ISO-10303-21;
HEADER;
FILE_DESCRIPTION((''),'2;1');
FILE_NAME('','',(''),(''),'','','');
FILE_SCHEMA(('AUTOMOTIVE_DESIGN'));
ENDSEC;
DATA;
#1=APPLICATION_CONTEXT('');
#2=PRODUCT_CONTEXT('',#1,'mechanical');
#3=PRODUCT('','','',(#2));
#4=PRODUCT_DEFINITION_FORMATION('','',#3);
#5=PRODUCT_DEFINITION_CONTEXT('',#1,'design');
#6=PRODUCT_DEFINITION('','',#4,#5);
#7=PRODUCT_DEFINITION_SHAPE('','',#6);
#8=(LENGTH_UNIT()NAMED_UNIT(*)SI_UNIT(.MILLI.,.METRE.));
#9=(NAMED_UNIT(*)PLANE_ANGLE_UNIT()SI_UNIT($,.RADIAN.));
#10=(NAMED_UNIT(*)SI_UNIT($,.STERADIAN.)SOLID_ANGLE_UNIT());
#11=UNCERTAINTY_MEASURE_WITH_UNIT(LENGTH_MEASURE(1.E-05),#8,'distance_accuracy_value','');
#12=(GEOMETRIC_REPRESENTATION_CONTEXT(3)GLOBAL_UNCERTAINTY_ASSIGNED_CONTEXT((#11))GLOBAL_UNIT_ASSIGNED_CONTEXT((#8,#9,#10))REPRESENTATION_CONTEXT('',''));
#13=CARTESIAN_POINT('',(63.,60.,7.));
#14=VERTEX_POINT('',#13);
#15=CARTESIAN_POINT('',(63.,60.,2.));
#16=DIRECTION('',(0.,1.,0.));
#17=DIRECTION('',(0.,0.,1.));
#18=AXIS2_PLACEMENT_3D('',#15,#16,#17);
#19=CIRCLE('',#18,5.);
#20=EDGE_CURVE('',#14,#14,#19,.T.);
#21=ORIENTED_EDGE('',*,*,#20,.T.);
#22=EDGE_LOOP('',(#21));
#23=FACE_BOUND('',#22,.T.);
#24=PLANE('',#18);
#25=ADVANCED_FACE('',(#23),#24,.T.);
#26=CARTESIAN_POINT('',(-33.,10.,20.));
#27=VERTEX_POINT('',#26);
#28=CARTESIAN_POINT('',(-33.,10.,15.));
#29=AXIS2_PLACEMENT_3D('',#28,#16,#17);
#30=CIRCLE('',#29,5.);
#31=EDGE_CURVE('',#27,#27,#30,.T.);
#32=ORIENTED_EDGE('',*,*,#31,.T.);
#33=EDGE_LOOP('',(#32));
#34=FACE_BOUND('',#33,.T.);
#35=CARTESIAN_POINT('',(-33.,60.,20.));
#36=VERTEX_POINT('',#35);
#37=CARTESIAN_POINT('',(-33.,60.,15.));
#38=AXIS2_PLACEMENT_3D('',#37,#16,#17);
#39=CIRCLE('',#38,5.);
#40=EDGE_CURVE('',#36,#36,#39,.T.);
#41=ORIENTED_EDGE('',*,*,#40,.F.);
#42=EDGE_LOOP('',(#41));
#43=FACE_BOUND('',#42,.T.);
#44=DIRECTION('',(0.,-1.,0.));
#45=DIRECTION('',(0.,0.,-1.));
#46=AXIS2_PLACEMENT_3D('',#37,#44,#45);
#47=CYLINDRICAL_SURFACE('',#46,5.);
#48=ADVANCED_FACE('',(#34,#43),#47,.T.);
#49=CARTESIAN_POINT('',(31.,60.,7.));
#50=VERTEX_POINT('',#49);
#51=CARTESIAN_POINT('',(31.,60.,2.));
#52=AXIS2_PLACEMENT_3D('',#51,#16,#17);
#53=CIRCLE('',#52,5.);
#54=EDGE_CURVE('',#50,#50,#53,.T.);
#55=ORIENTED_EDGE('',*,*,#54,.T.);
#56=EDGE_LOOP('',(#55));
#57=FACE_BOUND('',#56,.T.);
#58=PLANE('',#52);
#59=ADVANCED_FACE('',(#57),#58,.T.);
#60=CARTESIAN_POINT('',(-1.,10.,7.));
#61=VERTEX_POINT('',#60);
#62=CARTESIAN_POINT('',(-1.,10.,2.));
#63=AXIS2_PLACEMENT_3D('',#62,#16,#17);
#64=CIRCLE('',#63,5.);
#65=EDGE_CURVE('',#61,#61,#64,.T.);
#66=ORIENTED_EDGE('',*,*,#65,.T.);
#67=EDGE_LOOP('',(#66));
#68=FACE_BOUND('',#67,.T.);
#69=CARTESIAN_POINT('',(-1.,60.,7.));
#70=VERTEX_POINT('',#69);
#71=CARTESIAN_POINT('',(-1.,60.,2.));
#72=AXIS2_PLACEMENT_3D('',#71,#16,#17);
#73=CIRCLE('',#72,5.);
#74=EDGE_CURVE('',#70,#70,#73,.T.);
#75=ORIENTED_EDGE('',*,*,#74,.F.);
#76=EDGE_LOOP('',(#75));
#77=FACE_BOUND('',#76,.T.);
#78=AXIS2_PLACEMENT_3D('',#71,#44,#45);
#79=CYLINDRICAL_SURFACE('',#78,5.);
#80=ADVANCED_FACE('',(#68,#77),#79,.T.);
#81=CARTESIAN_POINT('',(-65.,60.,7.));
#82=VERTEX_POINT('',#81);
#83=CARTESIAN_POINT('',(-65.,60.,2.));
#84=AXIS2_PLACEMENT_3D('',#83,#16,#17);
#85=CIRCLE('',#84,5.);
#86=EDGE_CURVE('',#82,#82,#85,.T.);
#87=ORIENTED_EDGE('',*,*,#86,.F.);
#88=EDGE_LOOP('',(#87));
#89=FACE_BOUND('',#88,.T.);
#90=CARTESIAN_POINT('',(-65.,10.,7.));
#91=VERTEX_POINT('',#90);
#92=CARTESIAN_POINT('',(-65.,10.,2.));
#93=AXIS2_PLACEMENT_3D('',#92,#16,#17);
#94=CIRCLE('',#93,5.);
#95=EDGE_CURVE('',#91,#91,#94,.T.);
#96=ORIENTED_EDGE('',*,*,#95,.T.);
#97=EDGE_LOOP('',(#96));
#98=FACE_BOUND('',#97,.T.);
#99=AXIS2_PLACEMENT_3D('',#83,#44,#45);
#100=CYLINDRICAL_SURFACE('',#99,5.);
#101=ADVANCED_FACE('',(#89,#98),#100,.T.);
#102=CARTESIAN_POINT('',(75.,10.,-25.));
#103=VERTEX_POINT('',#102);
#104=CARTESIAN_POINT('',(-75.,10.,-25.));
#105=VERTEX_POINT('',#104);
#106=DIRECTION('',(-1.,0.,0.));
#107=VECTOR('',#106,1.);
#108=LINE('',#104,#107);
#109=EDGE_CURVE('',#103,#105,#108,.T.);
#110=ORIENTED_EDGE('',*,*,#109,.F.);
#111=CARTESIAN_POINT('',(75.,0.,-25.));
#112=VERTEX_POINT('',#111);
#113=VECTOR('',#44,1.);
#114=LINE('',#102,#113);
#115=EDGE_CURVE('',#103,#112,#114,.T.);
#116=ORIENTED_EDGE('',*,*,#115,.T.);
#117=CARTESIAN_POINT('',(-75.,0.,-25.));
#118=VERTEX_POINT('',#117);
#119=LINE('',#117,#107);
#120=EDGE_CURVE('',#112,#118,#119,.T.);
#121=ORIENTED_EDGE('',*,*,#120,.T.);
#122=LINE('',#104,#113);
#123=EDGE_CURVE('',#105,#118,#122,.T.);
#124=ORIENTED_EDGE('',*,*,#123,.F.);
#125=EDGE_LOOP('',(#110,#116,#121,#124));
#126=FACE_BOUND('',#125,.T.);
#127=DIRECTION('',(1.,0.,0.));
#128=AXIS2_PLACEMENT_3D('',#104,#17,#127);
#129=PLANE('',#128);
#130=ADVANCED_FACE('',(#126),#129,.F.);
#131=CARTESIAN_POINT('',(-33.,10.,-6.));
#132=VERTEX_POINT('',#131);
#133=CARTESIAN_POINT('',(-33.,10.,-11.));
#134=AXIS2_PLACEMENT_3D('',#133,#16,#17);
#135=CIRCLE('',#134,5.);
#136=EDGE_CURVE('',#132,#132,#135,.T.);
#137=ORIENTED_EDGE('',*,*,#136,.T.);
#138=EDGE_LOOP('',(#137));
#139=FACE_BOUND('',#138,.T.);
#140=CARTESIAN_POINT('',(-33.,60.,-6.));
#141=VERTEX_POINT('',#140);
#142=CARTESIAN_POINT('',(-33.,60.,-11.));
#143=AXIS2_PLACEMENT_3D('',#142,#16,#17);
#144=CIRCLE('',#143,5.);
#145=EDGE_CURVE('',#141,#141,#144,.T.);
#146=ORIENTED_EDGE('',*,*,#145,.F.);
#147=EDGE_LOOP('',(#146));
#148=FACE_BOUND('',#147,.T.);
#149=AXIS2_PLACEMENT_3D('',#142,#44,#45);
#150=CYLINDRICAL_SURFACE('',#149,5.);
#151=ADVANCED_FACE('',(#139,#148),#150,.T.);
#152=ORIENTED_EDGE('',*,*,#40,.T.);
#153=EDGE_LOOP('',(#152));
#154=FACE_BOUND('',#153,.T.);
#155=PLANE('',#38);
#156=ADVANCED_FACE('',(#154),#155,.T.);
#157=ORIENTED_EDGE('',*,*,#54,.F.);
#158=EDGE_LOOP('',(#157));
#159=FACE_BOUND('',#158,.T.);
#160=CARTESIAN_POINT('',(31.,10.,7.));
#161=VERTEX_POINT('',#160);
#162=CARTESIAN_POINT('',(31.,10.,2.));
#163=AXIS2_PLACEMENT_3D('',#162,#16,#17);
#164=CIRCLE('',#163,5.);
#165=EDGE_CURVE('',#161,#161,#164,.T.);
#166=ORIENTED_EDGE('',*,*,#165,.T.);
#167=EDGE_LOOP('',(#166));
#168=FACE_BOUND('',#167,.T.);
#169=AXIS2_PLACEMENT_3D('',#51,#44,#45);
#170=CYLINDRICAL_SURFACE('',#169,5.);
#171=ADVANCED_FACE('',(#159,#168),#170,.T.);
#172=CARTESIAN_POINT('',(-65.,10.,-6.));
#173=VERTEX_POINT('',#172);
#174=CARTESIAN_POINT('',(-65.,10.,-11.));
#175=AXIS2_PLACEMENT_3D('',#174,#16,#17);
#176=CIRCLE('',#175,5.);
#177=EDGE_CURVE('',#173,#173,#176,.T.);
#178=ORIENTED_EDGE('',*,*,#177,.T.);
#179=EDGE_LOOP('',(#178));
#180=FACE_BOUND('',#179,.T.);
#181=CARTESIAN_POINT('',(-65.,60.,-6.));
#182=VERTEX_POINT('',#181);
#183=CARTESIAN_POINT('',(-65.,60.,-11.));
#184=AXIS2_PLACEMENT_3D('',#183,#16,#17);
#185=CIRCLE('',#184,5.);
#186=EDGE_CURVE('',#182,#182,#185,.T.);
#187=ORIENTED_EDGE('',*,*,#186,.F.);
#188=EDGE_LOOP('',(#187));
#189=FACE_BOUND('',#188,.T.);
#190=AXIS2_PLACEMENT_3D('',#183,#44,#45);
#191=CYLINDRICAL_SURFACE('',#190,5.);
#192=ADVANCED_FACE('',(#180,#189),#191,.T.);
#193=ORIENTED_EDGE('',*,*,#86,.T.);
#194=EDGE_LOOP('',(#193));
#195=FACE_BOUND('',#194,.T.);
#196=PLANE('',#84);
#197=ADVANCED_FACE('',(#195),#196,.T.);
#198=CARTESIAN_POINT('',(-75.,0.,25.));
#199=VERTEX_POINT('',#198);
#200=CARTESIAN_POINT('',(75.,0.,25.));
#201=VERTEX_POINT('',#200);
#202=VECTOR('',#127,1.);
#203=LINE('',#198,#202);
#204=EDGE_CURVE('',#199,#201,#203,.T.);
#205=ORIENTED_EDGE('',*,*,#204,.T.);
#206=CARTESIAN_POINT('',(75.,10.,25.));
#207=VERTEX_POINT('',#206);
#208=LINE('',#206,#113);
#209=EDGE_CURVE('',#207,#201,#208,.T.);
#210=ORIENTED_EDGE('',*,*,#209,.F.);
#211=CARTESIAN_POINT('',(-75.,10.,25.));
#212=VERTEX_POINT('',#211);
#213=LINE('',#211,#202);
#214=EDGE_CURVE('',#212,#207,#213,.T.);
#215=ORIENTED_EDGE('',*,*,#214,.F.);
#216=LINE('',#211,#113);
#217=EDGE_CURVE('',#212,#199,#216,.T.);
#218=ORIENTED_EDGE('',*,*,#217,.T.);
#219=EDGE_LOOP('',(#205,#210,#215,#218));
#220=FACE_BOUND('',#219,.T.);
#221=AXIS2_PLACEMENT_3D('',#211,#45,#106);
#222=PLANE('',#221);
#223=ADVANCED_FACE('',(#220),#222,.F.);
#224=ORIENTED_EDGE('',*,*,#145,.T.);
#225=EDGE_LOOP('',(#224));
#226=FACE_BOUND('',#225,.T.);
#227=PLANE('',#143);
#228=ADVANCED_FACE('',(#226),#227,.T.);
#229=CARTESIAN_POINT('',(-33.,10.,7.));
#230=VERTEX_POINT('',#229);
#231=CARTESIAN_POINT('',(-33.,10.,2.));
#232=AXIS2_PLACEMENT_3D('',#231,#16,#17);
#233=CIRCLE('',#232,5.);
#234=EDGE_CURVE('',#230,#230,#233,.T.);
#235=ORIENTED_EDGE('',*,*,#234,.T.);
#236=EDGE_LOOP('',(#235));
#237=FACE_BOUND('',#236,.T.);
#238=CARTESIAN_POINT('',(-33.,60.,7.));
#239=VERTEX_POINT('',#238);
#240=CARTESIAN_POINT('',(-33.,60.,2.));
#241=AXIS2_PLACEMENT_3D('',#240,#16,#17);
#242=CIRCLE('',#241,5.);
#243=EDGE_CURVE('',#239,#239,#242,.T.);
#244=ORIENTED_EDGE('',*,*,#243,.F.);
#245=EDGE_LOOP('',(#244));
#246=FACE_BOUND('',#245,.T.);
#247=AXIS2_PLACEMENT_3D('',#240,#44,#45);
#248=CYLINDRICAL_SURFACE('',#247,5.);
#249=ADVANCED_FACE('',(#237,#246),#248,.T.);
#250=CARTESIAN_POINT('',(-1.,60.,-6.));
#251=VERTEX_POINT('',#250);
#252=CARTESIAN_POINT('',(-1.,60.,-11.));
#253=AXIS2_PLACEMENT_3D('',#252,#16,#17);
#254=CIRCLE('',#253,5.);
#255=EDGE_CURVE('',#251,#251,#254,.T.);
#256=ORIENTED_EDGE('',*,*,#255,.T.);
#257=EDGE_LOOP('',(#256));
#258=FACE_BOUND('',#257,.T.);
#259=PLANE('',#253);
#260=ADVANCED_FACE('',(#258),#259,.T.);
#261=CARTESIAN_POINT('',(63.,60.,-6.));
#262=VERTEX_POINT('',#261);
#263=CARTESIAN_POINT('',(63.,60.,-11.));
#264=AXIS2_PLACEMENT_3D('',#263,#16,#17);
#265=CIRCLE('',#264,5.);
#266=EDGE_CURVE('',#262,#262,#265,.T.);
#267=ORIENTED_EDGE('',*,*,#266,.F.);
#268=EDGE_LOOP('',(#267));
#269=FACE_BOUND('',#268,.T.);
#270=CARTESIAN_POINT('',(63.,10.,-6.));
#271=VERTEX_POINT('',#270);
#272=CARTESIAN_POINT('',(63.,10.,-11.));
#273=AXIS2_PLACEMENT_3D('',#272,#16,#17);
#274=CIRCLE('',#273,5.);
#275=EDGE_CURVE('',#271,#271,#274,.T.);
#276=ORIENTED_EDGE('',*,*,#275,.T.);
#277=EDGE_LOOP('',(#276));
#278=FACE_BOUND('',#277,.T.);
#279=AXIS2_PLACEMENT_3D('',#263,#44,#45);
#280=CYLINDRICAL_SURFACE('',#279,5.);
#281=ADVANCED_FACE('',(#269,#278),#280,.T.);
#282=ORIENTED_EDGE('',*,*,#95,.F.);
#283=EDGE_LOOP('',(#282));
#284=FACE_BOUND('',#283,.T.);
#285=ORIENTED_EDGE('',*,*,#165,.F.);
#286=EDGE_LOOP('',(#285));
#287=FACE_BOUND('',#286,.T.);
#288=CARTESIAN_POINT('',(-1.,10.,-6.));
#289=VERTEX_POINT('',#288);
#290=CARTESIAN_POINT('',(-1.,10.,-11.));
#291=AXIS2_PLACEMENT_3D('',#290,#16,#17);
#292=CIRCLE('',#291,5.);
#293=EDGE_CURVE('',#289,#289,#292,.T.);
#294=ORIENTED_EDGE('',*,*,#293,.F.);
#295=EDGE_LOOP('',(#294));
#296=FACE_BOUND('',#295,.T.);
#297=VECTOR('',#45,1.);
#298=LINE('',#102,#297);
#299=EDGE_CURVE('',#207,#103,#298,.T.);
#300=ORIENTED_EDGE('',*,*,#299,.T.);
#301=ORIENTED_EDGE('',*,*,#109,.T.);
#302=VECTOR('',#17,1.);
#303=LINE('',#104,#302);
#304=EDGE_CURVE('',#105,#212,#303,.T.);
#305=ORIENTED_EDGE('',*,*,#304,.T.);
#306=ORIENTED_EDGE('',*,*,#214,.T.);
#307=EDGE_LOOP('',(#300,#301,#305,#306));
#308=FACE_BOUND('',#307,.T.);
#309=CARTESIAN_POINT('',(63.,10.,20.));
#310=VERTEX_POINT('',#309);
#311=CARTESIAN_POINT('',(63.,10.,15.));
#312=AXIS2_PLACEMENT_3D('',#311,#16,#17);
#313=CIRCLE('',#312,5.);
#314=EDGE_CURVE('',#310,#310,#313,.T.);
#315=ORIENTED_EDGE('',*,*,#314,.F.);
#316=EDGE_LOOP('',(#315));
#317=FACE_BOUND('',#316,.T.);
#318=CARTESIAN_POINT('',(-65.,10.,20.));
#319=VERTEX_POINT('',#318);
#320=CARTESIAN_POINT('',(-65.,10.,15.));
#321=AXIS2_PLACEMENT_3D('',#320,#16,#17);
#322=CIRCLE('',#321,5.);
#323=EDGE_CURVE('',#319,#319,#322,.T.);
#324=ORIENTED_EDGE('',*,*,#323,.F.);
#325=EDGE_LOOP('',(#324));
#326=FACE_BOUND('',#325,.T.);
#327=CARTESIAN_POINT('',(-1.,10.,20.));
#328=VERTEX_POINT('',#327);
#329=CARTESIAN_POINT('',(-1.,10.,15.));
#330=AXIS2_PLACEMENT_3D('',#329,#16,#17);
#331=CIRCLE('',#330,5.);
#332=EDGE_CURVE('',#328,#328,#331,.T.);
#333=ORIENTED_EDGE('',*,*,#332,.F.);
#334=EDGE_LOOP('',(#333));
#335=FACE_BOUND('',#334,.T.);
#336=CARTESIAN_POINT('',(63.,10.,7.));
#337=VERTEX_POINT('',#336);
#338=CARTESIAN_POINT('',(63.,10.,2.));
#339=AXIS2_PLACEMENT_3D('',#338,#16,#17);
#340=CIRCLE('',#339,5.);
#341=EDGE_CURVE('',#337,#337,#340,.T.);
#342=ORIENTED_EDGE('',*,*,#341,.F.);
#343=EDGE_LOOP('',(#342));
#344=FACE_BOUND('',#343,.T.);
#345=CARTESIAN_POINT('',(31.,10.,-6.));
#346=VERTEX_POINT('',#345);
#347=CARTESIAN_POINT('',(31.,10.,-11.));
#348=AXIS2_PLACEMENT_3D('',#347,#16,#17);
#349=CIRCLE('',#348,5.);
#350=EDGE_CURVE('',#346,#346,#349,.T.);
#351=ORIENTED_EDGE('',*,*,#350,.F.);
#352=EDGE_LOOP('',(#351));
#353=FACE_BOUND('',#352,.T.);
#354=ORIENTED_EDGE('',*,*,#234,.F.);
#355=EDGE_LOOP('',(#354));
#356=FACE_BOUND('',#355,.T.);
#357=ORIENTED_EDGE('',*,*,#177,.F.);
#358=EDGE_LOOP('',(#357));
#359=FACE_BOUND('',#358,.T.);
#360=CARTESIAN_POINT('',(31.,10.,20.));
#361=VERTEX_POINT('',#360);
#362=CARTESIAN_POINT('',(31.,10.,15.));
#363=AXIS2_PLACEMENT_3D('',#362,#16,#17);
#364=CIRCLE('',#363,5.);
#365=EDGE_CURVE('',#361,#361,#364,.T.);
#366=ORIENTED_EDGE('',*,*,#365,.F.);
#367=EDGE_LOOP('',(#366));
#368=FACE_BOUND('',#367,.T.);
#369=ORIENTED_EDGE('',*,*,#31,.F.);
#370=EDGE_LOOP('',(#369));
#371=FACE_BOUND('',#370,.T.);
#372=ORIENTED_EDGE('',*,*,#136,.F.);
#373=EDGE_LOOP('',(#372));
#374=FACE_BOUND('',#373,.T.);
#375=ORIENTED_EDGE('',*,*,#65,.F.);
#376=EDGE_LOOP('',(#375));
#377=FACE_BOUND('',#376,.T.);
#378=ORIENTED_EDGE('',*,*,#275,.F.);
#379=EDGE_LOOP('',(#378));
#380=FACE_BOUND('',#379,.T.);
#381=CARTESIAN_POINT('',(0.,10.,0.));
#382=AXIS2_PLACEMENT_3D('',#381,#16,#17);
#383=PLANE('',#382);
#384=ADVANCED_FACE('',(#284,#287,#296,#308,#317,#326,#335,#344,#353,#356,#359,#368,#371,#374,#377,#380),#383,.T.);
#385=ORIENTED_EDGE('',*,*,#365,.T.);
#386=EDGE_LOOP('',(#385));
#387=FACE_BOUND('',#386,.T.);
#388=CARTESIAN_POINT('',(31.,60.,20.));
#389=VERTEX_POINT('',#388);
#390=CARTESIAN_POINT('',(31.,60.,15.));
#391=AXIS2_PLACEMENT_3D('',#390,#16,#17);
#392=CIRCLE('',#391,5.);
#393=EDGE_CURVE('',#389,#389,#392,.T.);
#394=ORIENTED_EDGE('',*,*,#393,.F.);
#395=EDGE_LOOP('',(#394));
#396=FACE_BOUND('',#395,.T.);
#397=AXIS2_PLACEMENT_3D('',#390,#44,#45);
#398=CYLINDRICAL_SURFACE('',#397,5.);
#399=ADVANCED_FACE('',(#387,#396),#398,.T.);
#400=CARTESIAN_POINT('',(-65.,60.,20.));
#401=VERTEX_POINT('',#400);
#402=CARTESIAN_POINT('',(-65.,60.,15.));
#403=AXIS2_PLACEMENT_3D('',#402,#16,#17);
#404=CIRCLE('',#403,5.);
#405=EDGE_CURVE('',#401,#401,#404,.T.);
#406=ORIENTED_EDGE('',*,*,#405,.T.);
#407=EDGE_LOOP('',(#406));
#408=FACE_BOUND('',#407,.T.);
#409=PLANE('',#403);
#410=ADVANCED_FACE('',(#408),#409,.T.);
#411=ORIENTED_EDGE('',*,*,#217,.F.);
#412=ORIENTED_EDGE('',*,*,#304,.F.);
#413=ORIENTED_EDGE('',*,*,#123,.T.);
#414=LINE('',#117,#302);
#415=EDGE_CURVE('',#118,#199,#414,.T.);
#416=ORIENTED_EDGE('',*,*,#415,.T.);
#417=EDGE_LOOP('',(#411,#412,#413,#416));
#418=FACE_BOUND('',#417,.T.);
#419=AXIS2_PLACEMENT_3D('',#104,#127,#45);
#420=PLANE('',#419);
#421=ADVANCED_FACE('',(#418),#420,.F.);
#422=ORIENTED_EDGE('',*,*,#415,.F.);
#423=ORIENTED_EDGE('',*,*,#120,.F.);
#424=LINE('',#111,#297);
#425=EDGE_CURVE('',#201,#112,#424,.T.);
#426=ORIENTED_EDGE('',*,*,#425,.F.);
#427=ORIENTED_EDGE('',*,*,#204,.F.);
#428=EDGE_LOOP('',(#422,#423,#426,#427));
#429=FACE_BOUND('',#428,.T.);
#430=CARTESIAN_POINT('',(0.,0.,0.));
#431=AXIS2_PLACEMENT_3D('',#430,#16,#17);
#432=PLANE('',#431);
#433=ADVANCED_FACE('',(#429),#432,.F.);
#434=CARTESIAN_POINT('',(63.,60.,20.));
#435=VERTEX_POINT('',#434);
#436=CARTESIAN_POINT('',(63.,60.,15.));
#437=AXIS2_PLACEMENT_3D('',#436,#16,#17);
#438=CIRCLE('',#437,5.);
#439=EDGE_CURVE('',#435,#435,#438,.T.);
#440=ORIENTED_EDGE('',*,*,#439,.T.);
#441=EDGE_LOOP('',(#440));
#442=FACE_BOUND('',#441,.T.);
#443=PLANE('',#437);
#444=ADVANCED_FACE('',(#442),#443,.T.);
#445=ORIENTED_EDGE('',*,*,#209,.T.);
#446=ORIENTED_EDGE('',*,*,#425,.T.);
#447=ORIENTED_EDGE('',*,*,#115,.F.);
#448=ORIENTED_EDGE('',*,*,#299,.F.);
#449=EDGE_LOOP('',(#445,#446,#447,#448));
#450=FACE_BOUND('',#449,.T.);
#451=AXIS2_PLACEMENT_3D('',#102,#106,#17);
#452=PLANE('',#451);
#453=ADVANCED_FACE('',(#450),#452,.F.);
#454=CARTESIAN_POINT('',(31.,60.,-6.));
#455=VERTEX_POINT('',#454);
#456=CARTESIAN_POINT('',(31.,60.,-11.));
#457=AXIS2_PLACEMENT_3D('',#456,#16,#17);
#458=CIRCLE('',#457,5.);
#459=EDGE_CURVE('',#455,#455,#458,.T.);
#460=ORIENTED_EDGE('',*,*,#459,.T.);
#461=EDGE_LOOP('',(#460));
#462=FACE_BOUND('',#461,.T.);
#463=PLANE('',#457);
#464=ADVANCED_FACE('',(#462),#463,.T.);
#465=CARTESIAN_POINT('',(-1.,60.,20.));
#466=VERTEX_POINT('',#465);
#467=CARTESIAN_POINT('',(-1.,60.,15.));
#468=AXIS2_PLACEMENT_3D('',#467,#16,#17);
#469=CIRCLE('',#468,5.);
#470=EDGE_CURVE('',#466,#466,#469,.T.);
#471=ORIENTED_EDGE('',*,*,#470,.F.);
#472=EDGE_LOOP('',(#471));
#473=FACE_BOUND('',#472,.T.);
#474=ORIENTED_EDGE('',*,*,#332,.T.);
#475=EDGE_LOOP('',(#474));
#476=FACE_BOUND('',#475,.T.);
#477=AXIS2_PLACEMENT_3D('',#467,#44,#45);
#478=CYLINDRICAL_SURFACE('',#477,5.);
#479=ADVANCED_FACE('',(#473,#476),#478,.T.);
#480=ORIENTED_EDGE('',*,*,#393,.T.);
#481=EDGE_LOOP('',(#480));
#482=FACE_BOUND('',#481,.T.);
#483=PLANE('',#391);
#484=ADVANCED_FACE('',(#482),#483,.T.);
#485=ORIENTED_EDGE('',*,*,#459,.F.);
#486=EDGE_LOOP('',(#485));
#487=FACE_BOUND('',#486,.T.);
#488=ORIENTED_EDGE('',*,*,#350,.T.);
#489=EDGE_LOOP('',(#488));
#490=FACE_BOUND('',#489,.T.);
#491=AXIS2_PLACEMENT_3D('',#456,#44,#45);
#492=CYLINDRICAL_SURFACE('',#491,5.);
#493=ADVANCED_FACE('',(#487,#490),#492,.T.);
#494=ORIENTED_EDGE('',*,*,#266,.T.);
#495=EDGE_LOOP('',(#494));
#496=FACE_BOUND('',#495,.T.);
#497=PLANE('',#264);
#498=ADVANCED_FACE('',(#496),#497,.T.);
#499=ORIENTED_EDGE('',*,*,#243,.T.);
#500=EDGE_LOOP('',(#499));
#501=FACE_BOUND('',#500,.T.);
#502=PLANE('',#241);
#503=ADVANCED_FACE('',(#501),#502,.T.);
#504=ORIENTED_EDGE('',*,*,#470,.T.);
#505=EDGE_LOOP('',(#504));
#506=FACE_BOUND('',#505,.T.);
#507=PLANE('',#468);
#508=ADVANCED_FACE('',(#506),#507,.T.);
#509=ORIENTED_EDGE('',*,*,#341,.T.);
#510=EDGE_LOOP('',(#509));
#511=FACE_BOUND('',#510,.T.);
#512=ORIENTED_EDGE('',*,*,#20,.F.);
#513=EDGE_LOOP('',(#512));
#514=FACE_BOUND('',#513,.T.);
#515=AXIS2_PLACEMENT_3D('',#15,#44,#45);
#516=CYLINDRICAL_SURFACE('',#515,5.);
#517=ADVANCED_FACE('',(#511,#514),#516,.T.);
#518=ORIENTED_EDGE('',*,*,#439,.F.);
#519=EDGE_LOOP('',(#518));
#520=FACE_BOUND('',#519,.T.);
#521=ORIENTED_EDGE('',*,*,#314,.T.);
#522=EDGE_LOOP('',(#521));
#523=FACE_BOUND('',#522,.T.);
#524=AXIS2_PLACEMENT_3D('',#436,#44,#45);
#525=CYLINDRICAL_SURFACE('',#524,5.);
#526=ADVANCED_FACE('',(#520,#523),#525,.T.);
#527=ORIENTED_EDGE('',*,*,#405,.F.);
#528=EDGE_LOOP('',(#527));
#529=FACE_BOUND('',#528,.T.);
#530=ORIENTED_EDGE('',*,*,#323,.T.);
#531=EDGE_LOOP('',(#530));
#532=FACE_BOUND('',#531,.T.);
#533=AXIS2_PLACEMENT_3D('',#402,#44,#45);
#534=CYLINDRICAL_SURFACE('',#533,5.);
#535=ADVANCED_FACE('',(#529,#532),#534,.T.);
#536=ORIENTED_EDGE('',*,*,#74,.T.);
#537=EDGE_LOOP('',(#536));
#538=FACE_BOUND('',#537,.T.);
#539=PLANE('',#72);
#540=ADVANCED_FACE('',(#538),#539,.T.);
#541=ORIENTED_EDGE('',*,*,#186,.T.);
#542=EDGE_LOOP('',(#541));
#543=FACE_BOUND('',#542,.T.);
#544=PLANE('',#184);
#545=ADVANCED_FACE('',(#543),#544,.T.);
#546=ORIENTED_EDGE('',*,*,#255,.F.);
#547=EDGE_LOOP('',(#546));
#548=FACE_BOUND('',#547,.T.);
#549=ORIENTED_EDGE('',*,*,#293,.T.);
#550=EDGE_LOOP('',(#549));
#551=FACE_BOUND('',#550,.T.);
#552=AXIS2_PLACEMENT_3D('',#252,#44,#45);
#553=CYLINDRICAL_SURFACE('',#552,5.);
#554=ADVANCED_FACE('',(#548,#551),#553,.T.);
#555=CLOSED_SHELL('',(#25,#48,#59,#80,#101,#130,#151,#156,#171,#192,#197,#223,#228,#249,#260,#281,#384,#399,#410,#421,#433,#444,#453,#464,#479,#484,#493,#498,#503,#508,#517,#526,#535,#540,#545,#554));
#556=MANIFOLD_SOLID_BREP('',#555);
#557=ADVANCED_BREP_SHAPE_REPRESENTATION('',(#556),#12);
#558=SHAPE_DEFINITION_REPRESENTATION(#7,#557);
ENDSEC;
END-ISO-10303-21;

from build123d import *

# Parameters (mm, degrees)
ESQUISSE1_W                     = 150
ESQUISSE1_H                     = 50
BOSS_EXTRU_1_DEPTH              = 10
ESQUISSE2_R                     = 5
BOSS_EXTRU_2_DEPTH              = 50
R_P_TITION_LIN_AIRE1_COUNT      = 5
R_P_TITION_LIN_AIRE1_PITCH      = 32
R_P_TITION_LIN_AIRE1_COUNT_DIR2 = 3
R_P_TITION_LIN_AIRE1_PITCH_DIR2 = 13


with BuildPart() as part:
    # Esquisse1 → Boss.-Extru.1 (new body)
    with BuildSketch(Plane(origin=(0, 0, 0), x_dir=(1, 0, 0), z_dir=(0, 1, 0))):
        Rectangle(ESQUISSE1_W, ESQUISSE1_H)
    extrude(amount=BOSS_EXTRU_1_DEPTH)

    # Esquisse2 → Boss.-Extru.2 (add)
    with BuildSketch(Plane(origin=(0, 10, 0), x_dir=(1, 0, 0), z_dir=(0, 1, 0))):
        with Locations(Location((-65, -15, 0), (0, 0, 270))):
            Circle(ESQUISSE2_R)
    boss_extru_2 = extrude(amount=BOSS_EXTRU_2_DEPTH)

    # Répétition linéaire1: Boss.-Extru.2 5 × 3
    with Locations(*[(i * R_P_TITION_LIN_AIRE1_PITCH, 0, -j * R_P_TITION_LIN_AIRE1_PITCH_DIR2) for i in range(R_P_TITION_LIN_AIRE1_COUNT) for j in range(R_P_TITION_LIN_AIRE1_COUNT_DIR2) if (i, j) != (0, 0)]):
        add(boss_extru_2)


solid = part.part
